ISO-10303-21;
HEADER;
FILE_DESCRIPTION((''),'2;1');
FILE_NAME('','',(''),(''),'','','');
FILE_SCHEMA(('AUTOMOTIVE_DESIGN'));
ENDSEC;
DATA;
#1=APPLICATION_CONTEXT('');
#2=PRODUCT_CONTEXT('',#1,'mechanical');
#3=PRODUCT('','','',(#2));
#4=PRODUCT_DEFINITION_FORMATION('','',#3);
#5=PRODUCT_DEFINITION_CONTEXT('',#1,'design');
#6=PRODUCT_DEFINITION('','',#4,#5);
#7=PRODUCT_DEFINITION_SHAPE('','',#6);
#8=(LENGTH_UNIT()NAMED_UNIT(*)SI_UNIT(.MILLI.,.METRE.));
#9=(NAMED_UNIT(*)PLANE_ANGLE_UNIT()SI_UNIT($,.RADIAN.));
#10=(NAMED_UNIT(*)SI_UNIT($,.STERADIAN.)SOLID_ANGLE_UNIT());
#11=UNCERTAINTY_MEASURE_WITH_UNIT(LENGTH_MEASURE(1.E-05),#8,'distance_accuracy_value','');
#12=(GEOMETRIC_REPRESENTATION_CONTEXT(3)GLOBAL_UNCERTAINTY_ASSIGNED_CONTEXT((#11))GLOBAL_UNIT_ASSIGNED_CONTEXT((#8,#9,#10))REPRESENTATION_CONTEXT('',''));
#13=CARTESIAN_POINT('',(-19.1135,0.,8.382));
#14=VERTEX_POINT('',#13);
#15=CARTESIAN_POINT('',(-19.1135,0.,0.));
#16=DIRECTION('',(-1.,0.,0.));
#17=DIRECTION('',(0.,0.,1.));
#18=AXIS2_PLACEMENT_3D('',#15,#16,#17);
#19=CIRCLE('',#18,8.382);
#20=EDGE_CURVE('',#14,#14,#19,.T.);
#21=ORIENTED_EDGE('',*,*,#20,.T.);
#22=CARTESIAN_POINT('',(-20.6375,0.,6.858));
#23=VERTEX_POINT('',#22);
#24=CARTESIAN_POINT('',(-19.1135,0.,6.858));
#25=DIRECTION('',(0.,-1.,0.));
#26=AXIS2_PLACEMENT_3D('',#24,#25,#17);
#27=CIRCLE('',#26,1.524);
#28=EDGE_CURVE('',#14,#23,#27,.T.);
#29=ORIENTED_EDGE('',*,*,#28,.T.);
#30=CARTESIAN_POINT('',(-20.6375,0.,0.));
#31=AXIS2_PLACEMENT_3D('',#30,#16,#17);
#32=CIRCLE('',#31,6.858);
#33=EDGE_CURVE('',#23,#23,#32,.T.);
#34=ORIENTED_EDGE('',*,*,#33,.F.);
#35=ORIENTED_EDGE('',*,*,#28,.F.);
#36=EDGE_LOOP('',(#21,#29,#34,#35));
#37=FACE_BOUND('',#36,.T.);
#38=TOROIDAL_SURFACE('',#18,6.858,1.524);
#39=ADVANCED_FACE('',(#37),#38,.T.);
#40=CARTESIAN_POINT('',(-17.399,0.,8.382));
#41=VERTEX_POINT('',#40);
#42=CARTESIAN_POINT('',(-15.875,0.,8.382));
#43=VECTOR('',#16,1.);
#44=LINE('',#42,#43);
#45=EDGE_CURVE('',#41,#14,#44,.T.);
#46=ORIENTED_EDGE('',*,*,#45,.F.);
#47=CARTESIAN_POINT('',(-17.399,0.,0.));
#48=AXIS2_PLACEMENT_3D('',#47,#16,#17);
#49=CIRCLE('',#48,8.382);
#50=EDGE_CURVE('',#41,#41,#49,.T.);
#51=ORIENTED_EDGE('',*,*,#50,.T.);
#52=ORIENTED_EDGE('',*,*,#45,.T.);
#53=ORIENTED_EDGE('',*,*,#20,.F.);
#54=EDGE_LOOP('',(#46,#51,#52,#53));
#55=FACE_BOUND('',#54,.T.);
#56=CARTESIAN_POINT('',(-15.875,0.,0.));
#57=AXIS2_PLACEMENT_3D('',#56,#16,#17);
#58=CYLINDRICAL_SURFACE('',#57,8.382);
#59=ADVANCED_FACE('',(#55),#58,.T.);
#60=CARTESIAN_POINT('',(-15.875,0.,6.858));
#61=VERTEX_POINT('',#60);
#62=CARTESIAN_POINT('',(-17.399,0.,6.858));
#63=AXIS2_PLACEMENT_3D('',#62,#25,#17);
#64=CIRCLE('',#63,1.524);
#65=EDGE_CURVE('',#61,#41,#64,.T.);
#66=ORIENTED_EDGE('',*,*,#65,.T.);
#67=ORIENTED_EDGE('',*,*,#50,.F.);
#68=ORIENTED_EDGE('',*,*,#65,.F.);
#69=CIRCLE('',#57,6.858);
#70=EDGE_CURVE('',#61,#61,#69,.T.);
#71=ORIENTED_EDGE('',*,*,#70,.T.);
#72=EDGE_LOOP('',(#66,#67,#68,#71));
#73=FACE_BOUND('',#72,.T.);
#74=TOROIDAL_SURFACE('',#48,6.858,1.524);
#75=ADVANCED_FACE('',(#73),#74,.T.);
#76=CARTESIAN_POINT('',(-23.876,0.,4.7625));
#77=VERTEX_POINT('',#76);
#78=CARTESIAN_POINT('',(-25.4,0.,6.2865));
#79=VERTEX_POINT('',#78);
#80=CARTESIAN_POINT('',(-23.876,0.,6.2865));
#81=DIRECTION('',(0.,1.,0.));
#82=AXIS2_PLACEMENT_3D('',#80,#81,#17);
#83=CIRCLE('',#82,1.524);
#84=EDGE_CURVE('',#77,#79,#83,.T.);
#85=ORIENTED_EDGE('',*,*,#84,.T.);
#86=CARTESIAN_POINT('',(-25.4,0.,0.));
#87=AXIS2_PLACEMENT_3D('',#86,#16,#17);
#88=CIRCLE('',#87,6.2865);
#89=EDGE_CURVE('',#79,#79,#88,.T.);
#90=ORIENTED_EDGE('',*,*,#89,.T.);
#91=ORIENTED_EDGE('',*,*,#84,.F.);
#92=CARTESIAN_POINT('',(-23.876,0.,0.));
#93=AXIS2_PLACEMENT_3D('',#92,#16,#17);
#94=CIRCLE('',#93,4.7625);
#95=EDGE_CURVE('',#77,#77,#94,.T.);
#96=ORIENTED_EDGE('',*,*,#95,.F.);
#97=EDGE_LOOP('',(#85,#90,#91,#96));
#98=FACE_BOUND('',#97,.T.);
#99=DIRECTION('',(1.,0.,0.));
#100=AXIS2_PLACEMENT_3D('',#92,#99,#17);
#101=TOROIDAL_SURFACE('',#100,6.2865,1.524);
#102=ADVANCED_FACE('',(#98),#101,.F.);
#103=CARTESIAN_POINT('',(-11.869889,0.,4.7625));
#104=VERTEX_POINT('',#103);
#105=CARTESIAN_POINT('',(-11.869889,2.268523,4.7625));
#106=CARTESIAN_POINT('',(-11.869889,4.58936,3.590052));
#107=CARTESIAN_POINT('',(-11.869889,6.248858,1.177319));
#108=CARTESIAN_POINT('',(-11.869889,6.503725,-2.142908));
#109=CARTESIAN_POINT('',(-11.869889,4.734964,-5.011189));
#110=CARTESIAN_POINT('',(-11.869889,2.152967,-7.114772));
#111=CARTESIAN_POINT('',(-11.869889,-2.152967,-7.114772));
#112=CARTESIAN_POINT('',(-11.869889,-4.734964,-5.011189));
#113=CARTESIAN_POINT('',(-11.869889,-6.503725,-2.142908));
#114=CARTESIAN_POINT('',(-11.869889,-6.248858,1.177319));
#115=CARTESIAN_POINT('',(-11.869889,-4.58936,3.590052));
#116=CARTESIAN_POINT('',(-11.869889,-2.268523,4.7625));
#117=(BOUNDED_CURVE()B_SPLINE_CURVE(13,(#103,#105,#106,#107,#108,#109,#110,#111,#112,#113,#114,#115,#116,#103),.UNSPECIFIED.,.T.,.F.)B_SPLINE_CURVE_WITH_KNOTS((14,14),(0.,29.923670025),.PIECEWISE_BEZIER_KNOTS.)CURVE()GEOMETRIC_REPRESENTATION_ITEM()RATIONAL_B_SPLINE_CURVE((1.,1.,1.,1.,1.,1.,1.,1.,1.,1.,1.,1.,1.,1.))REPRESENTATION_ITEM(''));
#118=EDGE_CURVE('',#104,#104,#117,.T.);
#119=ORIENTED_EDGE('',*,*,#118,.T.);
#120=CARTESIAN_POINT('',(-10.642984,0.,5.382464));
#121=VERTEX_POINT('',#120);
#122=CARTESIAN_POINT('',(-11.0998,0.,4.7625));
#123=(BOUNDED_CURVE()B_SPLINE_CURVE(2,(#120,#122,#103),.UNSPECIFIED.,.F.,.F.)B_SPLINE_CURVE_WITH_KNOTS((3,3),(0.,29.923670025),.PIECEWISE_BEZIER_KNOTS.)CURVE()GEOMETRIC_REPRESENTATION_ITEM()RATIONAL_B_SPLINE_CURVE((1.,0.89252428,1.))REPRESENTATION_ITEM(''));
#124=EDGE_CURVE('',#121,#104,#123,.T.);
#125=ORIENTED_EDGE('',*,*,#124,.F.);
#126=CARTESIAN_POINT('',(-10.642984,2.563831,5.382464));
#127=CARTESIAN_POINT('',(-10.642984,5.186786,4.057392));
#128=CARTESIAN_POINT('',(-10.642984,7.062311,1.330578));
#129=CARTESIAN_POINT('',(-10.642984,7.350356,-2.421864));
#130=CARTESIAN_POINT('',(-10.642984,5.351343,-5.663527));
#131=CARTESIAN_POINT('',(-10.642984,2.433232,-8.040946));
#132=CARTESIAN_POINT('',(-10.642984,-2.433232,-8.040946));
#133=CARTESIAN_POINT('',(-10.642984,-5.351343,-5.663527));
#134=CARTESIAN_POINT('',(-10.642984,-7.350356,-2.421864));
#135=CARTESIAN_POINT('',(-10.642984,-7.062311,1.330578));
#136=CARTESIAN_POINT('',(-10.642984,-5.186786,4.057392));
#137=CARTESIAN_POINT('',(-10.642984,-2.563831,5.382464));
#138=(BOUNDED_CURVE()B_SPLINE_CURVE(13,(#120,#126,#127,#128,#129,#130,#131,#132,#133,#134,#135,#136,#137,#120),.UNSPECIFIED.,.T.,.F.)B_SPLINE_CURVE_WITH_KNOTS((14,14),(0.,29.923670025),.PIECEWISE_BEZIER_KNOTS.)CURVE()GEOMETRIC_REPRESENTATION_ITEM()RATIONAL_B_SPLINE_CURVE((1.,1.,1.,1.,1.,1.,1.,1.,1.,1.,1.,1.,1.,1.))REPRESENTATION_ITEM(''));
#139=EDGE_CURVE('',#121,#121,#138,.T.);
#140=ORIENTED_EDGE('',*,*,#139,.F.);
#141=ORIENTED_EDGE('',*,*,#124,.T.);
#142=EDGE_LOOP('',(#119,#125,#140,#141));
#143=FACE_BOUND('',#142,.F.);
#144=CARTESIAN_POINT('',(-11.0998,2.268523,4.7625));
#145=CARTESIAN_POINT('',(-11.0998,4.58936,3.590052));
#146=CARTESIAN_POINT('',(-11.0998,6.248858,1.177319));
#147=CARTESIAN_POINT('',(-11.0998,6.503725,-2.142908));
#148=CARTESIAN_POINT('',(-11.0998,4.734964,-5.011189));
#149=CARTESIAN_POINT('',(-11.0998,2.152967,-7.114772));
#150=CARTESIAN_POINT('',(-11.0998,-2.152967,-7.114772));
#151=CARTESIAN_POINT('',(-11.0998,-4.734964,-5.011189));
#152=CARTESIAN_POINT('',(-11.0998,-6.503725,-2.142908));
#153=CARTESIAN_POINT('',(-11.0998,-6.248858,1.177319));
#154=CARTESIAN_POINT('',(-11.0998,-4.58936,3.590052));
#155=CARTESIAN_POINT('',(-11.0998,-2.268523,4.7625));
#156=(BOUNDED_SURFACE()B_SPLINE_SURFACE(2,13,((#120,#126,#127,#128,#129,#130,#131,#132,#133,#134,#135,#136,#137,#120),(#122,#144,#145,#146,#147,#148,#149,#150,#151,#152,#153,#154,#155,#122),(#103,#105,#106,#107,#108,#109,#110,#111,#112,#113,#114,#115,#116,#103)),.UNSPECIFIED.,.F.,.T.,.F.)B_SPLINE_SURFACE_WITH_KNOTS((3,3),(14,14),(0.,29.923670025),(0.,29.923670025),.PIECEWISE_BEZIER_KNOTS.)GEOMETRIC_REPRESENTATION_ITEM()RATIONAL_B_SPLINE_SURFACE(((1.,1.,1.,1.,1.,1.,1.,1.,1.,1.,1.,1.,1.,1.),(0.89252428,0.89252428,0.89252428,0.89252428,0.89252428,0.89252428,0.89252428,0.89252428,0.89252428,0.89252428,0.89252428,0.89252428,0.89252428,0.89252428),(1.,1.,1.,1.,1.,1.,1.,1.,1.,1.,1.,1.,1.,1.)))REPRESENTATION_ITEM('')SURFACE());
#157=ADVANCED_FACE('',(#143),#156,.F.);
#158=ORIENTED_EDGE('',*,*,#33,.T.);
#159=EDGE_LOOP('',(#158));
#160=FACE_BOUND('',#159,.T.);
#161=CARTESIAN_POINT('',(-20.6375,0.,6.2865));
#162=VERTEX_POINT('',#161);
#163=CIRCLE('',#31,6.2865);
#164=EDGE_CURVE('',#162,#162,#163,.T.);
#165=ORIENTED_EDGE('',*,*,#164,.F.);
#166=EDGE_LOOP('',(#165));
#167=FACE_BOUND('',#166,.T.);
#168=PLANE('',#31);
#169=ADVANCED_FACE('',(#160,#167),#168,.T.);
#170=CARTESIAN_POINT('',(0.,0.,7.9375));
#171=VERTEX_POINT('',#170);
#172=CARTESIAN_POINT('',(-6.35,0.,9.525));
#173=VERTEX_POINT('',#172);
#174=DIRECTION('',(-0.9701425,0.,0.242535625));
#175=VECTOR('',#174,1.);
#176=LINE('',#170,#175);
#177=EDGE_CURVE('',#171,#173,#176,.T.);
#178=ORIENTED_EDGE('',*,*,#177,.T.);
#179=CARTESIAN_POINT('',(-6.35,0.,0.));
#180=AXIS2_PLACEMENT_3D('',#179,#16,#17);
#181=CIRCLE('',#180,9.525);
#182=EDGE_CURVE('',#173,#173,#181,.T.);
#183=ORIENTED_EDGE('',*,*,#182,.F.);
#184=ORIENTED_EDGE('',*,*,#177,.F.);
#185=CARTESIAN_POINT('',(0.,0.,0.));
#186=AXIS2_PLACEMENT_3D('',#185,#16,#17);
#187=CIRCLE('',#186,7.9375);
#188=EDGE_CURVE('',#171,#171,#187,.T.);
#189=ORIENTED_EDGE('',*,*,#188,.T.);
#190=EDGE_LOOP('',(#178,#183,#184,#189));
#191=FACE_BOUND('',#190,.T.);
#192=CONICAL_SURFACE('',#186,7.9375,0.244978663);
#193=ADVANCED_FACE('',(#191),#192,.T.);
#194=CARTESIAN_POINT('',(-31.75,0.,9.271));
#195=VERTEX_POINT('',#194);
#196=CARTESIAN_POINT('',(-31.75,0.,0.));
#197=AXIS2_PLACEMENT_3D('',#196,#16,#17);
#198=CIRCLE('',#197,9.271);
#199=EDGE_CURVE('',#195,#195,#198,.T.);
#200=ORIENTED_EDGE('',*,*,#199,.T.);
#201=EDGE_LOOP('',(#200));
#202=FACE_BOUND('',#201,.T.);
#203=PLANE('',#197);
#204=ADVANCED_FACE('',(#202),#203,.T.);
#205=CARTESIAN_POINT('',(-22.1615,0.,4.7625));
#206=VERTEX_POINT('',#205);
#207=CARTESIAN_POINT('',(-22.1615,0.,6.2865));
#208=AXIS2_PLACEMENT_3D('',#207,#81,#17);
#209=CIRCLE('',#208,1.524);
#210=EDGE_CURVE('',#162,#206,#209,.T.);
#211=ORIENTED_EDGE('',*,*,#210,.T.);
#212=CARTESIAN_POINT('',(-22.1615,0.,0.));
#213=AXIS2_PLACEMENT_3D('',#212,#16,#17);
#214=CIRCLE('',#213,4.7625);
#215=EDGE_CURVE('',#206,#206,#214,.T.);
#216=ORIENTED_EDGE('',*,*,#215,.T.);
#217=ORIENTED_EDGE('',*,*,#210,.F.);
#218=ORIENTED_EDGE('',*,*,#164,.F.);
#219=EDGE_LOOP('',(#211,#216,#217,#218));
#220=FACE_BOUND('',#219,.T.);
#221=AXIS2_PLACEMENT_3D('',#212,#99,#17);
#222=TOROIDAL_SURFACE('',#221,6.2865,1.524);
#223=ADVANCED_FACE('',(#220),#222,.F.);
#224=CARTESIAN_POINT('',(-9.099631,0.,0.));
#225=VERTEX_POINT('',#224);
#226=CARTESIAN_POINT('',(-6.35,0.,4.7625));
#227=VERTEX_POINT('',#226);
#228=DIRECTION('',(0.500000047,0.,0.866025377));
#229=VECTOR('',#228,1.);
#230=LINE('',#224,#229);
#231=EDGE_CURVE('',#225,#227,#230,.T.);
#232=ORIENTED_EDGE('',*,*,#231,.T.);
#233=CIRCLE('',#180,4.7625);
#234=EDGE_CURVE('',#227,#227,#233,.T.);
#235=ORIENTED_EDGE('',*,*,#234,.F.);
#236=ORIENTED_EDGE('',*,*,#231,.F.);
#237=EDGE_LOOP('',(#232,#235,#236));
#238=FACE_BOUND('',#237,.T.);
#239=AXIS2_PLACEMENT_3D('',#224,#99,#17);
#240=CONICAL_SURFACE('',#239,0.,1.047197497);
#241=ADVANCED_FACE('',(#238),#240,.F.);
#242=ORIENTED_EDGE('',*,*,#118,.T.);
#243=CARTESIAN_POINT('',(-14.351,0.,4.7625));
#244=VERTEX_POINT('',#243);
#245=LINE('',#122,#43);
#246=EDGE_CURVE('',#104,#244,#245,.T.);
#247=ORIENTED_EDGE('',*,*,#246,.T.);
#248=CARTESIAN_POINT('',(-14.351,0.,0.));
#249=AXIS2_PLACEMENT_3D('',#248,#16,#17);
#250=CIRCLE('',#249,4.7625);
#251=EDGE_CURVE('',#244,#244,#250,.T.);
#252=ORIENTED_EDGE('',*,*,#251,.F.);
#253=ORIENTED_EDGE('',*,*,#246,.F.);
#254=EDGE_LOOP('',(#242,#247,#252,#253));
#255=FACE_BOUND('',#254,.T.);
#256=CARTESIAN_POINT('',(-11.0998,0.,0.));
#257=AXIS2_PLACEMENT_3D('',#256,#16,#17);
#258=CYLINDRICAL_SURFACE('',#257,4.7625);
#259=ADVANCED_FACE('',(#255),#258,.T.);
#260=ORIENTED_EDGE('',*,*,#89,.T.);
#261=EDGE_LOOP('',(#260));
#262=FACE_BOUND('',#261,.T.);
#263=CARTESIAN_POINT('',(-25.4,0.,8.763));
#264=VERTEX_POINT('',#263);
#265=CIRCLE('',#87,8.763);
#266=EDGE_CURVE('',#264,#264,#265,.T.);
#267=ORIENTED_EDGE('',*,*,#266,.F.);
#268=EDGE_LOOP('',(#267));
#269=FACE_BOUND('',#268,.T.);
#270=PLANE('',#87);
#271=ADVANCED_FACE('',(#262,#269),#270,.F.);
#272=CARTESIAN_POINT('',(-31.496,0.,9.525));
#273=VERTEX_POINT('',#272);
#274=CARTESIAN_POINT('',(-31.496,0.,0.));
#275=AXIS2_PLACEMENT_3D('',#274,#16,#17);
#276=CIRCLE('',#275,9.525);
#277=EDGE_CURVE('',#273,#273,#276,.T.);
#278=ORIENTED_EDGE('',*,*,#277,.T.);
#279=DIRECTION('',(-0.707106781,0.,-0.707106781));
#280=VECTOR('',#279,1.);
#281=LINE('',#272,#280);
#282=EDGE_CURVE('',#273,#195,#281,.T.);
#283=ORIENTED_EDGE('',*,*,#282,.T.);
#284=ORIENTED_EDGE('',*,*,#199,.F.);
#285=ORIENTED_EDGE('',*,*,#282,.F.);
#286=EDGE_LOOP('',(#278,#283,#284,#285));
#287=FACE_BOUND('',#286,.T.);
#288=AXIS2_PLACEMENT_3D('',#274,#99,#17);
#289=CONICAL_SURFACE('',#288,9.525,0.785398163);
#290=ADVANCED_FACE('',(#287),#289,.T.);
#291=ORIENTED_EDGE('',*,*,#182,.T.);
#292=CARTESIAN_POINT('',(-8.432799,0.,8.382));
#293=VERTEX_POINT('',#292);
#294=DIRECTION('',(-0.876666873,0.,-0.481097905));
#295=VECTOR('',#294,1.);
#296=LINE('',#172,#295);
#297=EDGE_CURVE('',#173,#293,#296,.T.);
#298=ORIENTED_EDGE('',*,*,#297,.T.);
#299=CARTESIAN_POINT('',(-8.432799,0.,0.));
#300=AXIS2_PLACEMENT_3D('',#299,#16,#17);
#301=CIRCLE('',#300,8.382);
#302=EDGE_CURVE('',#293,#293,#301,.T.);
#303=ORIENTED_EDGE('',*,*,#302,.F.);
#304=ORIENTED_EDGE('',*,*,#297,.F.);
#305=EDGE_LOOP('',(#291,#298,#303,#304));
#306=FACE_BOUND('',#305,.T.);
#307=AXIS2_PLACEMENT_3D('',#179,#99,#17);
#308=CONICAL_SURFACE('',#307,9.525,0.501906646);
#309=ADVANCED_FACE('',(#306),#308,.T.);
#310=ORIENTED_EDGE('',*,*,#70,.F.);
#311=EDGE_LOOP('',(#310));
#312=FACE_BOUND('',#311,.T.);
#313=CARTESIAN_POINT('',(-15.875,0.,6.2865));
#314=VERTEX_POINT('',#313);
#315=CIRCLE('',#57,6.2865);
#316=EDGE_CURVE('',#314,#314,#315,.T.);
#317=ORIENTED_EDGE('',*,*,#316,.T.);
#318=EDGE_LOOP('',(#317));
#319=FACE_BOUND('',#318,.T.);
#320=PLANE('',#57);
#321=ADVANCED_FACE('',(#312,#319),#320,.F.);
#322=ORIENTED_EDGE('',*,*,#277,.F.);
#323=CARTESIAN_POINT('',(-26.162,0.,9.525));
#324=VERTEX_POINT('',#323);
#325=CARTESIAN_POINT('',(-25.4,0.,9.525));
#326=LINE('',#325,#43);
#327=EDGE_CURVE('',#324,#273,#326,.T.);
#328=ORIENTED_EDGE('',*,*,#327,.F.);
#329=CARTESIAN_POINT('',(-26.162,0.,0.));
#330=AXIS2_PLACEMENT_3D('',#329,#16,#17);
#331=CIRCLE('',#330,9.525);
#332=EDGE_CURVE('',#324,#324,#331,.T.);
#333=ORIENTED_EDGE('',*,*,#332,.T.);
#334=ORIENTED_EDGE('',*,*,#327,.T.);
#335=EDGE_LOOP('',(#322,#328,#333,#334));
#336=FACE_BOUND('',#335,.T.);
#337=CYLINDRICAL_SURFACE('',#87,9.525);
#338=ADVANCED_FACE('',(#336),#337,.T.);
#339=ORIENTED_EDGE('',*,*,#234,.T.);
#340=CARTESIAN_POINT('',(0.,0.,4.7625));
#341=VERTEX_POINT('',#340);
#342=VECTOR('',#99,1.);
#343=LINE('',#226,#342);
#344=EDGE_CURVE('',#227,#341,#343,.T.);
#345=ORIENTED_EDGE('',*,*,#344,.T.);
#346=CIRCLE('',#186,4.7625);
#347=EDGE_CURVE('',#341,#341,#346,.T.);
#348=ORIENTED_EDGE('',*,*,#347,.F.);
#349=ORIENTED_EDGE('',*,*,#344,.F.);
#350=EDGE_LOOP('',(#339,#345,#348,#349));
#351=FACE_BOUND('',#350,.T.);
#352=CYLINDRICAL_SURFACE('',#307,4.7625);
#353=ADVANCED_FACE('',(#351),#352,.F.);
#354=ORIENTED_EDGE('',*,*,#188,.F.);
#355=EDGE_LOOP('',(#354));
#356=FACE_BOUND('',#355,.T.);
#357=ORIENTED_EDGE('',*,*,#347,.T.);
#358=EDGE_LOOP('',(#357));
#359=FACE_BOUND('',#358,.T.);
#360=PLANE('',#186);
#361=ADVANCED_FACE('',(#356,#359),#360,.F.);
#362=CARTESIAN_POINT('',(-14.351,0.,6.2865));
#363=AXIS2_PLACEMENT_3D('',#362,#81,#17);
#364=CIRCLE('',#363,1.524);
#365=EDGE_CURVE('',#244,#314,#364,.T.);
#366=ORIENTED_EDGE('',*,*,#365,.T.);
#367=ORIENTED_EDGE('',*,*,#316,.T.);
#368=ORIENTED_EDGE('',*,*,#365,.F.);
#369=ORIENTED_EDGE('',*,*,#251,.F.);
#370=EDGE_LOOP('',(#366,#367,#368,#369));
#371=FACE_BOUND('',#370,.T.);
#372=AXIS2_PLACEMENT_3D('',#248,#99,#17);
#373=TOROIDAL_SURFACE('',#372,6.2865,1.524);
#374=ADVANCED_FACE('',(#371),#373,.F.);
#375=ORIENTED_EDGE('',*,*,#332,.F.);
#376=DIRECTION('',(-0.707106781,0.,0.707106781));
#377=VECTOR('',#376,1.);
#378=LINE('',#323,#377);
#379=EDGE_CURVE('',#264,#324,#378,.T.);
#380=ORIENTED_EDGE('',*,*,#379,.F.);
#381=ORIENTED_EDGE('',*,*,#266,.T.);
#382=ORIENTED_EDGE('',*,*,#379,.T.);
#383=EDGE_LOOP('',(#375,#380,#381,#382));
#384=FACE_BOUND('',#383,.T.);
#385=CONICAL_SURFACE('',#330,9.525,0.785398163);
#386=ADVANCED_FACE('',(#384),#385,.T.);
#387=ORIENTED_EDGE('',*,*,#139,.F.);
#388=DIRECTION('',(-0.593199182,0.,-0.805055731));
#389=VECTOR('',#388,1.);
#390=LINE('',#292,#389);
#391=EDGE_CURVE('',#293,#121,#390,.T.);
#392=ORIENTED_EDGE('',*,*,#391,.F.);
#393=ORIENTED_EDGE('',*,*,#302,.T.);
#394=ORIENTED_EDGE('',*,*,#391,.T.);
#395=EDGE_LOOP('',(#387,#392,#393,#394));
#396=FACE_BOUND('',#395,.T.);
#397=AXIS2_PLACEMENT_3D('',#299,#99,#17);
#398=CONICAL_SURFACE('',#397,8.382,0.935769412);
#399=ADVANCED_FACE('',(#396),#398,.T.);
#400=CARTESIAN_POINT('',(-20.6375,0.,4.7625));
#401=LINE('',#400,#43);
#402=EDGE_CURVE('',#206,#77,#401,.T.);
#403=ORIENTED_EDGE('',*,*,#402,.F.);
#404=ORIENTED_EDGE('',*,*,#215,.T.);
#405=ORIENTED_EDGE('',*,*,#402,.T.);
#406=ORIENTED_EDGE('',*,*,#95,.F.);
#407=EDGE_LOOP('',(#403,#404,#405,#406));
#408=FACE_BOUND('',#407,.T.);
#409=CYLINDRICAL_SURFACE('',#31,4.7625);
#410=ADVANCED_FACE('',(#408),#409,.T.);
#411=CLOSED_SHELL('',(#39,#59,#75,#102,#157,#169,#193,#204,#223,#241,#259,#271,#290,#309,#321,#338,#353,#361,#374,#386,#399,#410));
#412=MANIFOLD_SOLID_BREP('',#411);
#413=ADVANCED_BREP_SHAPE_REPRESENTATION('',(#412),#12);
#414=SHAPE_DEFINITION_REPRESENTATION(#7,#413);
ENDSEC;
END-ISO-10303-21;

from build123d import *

# Parameters (mm, degrees)
F2_R    = 1.524
F3_SIZE = 0.762
F4_SIZE = 0.254


with BuildPart() as f1:
    # F0 (on Front) → F1 (revolve)
    with BuildSketch(Plane.XZ):
        Polygon((-31.75, 0), (-9.099631, 0), (-6.35, 4.7625), (0, 4.7625), (0, 7.9375), (-6.35, 9.525), (-8.432799, 8.382), (-11.0998, 4.7625), (-15.875, 4.7625), (-15.875, 8.382), (-20.6375, 8.382), (-20.6375, 4.7625), (-25.4, 4.7625), (-25.4, 9.525), (-31.75, 9.525), align=None)
    revolve(axis=Axis((-15.875, 0, 0), (-1, 0, 0)))

    # F2
    f2_edges = [f1.edges().sort_by_distance(p)[0] for p in [
        (-20.6375, 0, -8.382),
        (-15.875, 0, -4.7625),
        (-15.875, 0, -8.382),
        (-20.6375, 0, -4.7625),
        (-11.0998, 0, -4.7625),
        (-25.4, 0, -4.7625),
    ]]
    fillet(f2_edges, radius=F2_R)

    # F3
    f3_edges = [f1.edges().sort_by_distance(p)[0] for p in [
        (-25.4, 0, -9.525),
    ]]
    chamfer(f3_edges, length=F3_SIZE)

    # F4
    f4_edges = [f1.edges().sort_by_distance(p)[0] for p in [
        (-31.75, 0, -9.525),
    ]]
    chamfer(f4_edges, length=F4_SIZE)


solid = f1.part
